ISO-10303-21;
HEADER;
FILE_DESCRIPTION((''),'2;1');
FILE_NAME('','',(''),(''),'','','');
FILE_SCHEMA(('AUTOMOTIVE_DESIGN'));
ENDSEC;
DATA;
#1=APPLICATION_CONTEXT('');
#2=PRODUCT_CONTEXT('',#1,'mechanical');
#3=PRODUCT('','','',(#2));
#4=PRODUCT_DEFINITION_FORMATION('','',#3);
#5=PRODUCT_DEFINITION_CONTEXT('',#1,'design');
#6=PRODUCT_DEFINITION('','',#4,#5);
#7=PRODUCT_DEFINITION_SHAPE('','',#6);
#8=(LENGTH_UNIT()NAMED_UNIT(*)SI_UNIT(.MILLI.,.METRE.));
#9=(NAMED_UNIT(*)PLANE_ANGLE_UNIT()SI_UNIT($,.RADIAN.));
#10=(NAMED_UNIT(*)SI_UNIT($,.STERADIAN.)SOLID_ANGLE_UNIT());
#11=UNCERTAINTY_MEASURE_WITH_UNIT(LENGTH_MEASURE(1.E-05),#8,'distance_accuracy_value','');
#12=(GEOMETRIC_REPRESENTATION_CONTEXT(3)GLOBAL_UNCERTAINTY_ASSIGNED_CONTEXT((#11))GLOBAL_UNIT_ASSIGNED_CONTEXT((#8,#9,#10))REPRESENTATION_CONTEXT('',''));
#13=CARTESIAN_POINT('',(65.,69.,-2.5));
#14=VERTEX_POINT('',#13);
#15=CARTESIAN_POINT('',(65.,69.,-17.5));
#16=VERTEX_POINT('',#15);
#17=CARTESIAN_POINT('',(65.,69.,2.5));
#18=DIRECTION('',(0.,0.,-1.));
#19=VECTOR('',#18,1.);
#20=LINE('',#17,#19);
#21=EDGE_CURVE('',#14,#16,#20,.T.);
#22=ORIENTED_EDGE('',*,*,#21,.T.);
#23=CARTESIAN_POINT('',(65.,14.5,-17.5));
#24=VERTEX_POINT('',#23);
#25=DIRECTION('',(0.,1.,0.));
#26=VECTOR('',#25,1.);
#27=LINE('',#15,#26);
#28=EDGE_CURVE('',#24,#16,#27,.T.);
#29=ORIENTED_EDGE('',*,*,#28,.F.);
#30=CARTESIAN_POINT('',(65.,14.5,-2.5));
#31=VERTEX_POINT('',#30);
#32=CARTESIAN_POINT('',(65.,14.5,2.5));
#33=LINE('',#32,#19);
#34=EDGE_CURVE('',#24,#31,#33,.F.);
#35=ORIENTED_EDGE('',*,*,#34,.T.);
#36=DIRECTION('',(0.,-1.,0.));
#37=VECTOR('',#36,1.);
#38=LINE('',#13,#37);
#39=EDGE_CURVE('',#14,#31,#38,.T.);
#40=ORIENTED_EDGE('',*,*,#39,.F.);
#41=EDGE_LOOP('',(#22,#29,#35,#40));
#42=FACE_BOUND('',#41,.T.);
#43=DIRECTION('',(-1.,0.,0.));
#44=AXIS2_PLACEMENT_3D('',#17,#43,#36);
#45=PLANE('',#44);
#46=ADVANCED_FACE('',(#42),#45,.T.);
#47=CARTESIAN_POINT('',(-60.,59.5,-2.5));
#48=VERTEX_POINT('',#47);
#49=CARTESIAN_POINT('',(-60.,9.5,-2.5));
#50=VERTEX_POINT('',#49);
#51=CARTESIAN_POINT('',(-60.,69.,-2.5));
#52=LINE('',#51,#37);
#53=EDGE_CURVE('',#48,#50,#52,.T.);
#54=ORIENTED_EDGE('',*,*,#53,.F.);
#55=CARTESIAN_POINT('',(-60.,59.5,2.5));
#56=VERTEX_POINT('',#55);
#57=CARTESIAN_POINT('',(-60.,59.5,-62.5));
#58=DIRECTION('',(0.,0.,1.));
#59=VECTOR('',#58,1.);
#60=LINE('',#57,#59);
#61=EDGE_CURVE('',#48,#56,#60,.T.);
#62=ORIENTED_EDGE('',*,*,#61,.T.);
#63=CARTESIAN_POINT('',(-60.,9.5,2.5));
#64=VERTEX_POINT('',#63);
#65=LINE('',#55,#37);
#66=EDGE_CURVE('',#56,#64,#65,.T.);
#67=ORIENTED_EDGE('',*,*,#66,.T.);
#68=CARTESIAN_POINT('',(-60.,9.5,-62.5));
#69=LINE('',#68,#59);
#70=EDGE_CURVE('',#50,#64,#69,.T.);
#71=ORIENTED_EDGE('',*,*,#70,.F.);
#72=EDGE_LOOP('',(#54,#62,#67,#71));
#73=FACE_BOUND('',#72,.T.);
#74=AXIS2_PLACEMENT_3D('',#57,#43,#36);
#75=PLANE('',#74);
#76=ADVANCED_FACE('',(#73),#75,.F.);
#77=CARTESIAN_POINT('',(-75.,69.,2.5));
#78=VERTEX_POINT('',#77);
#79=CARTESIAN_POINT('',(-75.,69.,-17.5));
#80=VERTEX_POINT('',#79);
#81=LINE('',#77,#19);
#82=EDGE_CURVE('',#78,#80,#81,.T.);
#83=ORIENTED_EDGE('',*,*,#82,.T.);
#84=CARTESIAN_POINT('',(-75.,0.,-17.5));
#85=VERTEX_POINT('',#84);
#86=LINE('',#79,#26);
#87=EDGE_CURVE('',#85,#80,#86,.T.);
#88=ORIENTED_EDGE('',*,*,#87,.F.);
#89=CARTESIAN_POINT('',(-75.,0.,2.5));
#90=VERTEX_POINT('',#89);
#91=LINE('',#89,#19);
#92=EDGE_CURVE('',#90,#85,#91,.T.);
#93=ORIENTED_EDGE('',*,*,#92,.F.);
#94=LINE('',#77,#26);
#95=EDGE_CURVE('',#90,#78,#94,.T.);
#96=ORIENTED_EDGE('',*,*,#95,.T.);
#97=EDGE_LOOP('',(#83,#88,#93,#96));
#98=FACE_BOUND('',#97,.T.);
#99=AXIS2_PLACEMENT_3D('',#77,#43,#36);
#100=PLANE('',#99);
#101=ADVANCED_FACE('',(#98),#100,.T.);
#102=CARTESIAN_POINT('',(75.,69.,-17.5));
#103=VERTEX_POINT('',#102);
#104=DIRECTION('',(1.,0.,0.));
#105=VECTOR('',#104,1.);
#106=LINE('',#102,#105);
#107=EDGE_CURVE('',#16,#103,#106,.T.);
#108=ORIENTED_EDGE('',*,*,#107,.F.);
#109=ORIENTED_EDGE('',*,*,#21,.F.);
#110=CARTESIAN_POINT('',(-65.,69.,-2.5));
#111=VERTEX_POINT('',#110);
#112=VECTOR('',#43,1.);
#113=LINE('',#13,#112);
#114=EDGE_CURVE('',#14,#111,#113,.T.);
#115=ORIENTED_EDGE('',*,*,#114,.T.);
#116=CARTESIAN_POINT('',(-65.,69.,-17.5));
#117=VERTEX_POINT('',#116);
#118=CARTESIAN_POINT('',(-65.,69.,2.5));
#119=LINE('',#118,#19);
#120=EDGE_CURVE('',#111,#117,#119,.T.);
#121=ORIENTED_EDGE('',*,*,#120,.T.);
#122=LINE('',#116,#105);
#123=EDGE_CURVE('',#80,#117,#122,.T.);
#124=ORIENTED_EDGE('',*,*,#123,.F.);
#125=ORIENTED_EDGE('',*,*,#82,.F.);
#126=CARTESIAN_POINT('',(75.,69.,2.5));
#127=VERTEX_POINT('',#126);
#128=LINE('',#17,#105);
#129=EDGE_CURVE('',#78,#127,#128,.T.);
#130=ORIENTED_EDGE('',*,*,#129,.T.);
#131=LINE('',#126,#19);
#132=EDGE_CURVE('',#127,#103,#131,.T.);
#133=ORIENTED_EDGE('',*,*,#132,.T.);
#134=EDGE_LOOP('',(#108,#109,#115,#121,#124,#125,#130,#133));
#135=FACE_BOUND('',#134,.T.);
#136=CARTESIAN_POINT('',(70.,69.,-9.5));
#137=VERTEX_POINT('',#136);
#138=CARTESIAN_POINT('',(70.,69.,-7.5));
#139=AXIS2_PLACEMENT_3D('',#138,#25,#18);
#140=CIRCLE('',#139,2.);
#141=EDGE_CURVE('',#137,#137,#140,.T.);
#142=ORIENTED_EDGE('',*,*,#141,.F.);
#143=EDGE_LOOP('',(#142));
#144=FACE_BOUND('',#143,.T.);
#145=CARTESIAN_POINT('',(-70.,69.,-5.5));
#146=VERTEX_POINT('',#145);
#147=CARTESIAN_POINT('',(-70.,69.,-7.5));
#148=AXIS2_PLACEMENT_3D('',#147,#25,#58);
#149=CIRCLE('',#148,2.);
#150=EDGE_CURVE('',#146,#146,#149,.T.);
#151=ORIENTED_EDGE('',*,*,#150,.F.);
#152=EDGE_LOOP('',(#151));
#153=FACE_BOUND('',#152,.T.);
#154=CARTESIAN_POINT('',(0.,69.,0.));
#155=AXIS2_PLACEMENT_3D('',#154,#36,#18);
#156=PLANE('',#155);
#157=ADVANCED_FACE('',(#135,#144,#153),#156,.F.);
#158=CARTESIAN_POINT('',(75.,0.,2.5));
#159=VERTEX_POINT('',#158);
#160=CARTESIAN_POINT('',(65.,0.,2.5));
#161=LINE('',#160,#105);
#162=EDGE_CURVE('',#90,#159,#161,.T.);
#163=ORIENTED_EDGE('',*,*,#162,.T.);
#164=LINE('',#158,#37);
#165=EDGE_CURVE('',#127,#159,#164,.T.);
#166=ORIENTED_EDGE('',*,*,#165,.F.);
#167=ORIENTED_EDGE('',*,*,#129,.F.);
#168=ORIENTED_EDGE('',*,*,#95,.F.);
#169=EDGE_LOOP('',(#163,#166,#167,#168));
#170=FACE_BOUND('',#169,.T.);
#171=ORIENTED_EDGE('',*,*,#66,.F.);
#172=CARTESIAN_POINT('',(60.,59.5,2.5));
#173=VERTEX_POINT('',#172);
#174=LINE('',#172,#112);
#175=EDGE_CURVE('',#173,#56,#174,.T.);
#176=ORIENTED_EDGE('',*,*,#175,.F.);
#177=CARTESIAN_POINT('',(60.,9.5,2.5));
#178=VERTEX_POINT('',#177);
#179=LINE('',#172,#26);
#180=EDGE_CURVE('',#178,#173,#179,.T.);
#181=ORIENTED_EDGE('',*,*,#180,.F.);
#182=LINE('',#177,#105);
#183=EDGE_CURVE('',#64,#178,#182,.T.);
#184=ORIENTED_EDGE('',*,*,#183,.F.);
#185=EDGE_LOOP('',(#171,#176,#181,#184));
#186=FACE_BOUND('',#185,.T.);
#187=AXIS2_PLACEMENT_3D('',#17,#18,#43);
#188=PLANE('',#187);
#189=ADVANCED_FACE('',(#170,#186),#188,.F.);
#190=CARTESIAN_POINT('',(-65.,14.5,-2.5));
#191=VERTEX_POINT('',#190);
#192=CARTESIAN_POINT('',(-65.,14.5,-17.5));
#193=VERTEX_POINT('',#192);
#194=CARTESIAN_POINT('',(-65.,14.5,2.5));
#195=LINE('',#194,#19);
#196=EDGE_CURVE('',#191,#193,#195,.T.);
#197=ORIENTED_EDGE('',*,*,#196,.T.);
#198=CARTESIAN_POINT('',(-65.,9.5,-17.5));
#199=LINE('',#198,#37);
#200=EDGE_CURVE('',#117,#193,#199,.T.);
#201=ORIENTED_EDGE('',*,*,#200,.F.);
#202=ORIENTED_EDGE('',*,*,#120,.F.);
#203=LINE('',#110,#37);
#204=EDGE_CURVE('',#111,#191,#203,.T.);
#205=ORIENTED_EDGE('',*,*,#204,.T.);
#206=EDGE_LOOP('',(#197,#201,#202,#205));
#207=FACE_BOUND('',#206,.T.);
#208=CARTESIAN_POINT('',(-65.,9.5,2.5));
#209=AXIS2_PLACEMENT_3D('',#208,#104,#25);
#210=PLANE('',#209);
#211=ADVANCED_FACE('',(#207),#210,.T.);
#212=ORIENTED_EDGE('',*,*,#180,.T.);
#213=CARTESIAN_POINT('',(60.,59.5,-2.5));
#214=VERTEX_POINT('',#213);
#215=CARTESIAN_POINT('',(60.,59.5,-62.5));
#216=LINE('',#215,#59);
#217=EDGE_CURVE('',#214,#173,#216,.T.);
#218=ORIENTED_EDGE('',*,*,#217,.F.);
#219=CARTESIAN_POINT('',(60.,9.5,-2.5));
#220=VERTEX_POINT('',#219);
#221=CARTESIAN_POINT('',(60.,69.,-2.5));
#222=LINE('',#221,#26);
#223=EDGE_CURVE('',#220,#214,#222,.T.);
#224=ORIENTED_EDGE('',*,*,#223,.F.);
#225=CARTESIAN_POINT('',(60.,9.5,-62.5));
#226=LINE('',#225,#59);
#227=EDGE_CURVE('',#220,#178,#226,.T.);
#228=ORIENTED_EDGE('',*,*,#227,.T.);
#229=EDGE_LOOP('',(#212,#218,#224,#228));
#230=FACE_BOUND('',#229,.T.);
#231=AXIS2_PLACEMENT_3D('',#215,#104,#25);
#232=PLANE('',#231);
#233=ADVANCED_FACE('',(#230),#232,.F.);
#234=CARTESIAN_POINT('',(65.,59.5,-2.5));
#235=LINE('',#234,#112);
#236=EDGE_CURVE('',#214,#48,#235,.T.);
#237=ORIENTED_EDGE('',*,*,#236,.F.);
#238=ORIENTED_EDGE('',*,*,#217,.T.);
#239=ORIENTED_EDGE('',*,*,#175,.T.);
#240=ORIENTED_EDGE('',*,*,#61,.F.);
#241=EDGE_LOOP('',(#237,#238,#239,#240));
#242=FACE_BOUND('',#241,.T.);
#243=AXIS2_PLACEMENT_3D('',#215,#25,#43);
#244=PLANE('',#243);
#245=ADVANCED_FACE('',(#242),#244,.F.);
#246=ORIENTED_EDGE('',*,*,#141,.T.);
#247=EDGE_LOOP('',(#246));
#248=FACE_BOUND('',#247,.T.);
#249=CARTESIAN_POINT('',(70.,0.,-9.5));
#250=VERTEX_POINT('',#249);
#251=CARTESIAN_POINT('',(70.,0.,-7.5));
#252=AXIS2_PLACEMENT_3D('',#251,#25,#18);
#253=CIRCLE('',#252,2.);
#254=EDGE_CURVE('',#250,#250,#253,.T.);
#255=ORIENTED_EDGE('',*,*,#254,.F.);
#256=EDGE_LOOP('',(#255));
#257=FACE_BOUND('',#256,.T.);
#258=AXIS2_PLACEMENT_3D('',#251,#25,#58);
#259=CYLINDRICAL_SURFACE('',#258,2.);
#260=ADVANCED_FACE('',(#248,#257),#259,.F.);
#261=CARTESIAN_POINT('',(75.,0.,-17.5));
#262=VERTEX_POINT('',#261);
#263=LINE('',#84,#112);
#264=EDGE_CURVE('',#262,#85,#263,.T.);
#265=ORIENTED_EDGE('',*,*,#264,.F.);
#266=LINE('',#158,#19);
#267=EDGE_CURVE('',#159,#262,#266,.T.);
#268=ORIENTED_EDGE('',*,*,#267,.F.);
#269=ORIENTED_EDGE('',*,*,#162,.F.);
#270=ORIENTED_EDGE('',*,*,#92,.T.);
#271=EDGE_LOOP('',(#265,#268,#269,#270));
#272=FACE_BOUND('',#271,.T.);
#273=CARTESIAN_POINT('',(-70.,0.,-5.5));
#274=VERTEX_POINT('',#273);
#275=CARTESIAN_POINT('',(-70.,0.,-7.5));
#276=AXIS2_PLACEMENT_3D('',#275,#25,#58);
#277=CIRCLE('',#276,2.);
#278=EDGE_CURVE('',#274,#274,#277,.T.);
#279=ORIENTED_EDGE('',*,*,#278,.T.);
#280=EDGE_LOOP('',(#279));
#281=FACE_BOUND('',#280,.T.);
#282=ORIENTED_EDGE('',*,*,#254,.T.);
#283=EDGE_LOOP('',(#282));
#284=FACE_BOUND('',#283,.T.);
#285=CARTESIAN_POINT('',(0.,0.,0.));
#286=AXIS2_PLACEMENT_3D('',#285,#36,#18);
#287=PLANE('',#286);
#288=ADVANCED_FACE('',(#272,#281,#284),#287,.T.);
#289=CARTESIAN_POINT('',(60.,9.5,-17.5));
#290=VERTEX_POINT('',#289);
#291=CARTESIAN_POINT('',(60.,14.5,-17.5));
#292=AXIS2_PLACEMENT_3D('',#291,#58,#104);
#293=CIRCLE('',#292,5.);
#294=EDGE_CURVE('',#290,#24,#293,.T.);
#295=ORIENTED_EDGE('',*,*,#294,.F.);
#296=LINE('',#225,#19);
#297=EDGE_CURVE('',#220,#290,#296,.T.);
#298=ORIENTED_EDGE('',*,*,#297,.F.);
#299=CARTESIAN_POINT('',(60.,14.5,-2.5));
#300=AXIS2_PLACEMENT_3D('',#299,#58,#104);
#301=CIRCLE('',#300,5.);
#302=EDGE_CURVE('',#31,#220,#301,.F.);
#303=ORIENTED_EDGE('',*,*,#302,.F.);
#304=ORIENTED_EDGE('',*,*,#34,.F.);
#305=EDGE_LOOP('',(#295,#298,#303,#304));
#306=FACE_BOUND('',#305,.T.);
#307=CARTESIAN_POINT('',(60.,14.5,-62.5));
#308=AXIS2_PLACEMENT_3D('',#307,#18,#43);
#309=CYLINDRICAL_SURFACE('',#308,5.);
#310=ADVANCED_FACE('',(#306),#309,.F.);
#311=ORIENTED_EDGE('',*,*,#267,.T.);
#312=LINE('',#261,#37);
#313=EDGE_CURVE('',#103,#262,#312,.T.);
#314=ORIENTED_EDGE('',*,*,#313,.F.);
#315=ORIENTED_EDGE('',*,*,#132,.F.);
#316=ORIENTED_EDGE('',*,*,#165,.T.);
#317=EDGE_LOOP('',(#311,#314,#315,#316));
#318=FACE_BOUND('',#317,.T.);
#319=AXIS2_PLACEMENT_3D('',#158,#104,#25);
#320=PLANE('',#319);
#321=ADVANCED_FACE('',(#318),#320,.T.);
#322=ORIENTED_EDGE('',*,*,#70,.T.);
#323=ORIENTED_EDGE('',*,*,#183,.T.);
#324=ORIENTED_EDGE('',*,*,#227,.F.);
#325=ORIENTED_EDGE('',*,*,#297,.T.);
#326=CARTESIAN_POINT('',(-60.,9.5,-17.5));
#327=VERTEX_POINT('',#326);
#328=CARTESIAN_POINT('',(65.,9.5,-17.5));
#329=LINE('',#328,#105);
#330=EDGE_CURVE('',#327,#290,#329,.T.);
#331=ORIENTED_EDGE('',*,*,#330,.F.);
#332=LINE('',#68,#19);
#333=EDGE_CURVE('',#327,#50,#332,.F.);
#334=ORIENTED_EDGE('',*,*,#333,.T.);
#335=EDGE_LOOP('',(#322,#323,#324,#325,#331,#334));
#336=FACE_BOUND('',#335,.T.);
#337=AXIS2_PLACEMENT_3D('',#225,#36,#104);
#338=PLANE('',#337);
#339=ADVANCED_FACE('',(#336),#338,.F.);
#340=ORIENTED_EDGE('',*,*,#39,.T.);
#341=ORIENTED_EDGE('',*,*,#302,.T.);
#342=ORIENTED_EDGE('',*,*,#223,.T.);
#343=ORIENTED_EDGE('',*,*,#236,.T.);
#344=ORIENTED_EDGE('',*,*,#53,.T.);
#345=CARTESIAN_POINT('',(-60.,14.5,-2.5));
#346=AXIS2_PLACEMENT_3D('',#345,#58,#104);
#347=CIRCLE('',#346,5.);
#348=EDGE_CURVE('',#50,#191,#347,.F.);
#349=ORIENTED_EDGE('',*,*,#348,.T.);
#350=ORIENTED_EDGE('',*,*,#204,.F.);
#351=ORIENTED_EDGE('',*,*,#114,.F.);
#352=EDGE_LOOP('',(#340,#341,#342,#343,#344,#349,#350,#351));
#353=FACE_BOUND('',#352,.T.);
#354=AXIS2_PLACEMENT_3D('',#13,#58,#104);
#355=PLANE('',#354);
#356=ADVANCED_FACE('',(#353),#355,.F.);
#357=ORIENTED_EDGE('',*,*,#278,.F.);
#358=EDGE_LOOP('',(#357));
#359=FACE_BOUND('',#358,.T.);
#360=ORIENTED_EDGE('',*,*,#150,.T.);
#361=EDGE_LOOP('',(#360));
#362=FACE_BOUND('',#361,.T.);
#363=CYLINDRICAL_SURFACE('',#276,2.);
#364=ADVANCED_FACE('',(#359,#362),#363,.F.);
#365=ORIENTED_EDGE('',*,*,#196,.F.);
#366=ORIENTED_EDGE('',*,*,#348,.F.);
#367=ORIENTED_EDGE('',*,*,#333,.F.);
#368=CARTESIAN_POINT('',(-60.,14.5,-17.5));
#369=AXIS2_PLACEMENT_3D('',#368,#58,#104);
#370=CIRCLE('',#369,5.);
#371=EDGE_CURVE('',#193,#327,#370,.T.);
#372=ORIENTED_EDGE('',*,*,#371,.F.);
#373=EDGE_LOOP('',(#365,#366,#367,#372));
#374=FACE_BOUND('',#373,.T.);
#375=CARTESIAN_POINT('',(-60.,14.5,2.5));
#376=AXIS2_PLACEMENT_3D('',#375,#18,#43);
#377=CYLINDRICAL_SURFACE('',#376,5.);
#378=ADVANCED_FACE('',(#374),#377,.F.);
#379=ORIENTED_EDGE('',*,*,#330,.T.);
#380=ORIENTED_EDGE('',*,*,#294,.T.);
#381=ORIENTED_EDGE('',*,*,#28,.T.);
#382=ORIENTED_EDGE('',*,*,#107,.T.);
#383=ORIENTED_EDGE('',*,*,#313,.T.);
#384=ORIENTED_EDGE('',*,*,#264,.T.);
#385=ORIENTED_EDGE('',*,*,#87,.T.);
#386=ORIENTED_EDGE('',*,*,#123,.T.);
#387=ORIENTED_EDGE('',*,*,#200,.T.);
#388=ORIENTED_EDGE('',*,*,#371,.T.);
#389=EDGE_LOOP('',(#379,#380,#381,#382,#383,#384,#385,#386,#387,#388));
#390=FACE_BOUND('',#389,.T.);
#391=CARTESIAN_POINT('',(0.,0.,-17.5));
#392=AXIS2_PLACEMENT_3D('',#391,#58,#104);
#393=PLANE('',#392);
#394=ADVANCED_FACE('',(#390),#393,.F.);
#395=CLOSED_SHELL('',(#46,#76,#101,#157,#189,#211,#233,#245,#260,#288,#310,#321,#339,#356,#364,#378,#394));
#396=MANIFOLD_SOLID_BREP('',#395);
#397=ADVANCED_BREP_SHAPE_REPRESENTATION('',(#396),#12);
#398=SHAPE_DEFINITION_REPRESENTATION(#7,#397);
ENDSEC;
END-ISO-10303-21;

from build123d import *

# Parameters (mm, degrees)
SKETCH1_W                = 130
SKETCH1_H                = 5
BOSS_EXTRUDE1_DEPTH      = 69
SKETCH2_W                = 120
SKETCH2_H                = 50
CUT_EXTRUDE1_DEPTH       = 65
BOSS_EXTRUDE3_DEPTH      = 15
BOSS_EXTRUDE3_DEPTH_BACK = 5
SKETCH4_R                = 2
CUT_EXTRUDE2_DEPTH       = 70
FILLET1_R                = 5


with BuildPart() as part:
    # Sketch1 → Boss-Extrude1 (new body)
    with BuildSketch(Plane(origin=(0, 0, 0), x_dir=(1, 0, 0), z_dir=(0, 1, 0))):
        Rectangle(SKETCH1_W, SKETCH1_H)
    extrude(amount=BOSS_EXTRUDE1_DEPTH)

    # Sketch2 → Cut-Extrude1 (cut)
    with BuildSketch(Plane.XY.offset(2.5)):
        with Locations((0, 34.5)):
            Rectangle(SKETCH2_W, SKETCH2_H)
    extrude(amount=-CUT_EXTRUDE1_DEPTH, mode=Mode.SUBTRACT)

    # Sketch3 → Boss-Extrude3 (add, two sides)
    with BuildSketch(Plane(origin=(0, 0, -2.5), x_dir=(-1, 0, 0), z_dir=(0, 0, -1))) as boss_extrude3_sk:
        Polygon((75, 0), (-75, 0), (-75, 69), (-65, 69), (-65, 9.5), (65, 9.5), (65, 69), (75, 69), align=None)
    extrude(amount=BOSS_EXTRUDE3_DEPTH)
    extrude(boss_extrude3_sk.sketch, amount=-BOSS_EXTRUDE3_DEPTH_BACK)

    # Sketch4 → Cut-Extrude2 (cut, through all)
    with BuildSketch(Plane(origin=(0, 69, 0), x_dir=(1, 0, 0), z_dir=(0, 1, 0))):
        with Locations((-70, 7.5)):
            Circle(SKETCH4_R)
        with Locations((70, 7.5)):
            Circle(SKETCH4_R)
    extrude(amount=-CUT_EXTRUDE2_DEPTH, mode=Mode.SUBTRACT)

    # Fillet1
    fillet1_edges = [part.edges().sort_by_distance(p)[0] for p in [
        (65, 9.5, -10),
        (-65, 9.5, -10),
    ]]
    fillet(fillet1_edges, radius=FILLET1_R)


solid = part.part
